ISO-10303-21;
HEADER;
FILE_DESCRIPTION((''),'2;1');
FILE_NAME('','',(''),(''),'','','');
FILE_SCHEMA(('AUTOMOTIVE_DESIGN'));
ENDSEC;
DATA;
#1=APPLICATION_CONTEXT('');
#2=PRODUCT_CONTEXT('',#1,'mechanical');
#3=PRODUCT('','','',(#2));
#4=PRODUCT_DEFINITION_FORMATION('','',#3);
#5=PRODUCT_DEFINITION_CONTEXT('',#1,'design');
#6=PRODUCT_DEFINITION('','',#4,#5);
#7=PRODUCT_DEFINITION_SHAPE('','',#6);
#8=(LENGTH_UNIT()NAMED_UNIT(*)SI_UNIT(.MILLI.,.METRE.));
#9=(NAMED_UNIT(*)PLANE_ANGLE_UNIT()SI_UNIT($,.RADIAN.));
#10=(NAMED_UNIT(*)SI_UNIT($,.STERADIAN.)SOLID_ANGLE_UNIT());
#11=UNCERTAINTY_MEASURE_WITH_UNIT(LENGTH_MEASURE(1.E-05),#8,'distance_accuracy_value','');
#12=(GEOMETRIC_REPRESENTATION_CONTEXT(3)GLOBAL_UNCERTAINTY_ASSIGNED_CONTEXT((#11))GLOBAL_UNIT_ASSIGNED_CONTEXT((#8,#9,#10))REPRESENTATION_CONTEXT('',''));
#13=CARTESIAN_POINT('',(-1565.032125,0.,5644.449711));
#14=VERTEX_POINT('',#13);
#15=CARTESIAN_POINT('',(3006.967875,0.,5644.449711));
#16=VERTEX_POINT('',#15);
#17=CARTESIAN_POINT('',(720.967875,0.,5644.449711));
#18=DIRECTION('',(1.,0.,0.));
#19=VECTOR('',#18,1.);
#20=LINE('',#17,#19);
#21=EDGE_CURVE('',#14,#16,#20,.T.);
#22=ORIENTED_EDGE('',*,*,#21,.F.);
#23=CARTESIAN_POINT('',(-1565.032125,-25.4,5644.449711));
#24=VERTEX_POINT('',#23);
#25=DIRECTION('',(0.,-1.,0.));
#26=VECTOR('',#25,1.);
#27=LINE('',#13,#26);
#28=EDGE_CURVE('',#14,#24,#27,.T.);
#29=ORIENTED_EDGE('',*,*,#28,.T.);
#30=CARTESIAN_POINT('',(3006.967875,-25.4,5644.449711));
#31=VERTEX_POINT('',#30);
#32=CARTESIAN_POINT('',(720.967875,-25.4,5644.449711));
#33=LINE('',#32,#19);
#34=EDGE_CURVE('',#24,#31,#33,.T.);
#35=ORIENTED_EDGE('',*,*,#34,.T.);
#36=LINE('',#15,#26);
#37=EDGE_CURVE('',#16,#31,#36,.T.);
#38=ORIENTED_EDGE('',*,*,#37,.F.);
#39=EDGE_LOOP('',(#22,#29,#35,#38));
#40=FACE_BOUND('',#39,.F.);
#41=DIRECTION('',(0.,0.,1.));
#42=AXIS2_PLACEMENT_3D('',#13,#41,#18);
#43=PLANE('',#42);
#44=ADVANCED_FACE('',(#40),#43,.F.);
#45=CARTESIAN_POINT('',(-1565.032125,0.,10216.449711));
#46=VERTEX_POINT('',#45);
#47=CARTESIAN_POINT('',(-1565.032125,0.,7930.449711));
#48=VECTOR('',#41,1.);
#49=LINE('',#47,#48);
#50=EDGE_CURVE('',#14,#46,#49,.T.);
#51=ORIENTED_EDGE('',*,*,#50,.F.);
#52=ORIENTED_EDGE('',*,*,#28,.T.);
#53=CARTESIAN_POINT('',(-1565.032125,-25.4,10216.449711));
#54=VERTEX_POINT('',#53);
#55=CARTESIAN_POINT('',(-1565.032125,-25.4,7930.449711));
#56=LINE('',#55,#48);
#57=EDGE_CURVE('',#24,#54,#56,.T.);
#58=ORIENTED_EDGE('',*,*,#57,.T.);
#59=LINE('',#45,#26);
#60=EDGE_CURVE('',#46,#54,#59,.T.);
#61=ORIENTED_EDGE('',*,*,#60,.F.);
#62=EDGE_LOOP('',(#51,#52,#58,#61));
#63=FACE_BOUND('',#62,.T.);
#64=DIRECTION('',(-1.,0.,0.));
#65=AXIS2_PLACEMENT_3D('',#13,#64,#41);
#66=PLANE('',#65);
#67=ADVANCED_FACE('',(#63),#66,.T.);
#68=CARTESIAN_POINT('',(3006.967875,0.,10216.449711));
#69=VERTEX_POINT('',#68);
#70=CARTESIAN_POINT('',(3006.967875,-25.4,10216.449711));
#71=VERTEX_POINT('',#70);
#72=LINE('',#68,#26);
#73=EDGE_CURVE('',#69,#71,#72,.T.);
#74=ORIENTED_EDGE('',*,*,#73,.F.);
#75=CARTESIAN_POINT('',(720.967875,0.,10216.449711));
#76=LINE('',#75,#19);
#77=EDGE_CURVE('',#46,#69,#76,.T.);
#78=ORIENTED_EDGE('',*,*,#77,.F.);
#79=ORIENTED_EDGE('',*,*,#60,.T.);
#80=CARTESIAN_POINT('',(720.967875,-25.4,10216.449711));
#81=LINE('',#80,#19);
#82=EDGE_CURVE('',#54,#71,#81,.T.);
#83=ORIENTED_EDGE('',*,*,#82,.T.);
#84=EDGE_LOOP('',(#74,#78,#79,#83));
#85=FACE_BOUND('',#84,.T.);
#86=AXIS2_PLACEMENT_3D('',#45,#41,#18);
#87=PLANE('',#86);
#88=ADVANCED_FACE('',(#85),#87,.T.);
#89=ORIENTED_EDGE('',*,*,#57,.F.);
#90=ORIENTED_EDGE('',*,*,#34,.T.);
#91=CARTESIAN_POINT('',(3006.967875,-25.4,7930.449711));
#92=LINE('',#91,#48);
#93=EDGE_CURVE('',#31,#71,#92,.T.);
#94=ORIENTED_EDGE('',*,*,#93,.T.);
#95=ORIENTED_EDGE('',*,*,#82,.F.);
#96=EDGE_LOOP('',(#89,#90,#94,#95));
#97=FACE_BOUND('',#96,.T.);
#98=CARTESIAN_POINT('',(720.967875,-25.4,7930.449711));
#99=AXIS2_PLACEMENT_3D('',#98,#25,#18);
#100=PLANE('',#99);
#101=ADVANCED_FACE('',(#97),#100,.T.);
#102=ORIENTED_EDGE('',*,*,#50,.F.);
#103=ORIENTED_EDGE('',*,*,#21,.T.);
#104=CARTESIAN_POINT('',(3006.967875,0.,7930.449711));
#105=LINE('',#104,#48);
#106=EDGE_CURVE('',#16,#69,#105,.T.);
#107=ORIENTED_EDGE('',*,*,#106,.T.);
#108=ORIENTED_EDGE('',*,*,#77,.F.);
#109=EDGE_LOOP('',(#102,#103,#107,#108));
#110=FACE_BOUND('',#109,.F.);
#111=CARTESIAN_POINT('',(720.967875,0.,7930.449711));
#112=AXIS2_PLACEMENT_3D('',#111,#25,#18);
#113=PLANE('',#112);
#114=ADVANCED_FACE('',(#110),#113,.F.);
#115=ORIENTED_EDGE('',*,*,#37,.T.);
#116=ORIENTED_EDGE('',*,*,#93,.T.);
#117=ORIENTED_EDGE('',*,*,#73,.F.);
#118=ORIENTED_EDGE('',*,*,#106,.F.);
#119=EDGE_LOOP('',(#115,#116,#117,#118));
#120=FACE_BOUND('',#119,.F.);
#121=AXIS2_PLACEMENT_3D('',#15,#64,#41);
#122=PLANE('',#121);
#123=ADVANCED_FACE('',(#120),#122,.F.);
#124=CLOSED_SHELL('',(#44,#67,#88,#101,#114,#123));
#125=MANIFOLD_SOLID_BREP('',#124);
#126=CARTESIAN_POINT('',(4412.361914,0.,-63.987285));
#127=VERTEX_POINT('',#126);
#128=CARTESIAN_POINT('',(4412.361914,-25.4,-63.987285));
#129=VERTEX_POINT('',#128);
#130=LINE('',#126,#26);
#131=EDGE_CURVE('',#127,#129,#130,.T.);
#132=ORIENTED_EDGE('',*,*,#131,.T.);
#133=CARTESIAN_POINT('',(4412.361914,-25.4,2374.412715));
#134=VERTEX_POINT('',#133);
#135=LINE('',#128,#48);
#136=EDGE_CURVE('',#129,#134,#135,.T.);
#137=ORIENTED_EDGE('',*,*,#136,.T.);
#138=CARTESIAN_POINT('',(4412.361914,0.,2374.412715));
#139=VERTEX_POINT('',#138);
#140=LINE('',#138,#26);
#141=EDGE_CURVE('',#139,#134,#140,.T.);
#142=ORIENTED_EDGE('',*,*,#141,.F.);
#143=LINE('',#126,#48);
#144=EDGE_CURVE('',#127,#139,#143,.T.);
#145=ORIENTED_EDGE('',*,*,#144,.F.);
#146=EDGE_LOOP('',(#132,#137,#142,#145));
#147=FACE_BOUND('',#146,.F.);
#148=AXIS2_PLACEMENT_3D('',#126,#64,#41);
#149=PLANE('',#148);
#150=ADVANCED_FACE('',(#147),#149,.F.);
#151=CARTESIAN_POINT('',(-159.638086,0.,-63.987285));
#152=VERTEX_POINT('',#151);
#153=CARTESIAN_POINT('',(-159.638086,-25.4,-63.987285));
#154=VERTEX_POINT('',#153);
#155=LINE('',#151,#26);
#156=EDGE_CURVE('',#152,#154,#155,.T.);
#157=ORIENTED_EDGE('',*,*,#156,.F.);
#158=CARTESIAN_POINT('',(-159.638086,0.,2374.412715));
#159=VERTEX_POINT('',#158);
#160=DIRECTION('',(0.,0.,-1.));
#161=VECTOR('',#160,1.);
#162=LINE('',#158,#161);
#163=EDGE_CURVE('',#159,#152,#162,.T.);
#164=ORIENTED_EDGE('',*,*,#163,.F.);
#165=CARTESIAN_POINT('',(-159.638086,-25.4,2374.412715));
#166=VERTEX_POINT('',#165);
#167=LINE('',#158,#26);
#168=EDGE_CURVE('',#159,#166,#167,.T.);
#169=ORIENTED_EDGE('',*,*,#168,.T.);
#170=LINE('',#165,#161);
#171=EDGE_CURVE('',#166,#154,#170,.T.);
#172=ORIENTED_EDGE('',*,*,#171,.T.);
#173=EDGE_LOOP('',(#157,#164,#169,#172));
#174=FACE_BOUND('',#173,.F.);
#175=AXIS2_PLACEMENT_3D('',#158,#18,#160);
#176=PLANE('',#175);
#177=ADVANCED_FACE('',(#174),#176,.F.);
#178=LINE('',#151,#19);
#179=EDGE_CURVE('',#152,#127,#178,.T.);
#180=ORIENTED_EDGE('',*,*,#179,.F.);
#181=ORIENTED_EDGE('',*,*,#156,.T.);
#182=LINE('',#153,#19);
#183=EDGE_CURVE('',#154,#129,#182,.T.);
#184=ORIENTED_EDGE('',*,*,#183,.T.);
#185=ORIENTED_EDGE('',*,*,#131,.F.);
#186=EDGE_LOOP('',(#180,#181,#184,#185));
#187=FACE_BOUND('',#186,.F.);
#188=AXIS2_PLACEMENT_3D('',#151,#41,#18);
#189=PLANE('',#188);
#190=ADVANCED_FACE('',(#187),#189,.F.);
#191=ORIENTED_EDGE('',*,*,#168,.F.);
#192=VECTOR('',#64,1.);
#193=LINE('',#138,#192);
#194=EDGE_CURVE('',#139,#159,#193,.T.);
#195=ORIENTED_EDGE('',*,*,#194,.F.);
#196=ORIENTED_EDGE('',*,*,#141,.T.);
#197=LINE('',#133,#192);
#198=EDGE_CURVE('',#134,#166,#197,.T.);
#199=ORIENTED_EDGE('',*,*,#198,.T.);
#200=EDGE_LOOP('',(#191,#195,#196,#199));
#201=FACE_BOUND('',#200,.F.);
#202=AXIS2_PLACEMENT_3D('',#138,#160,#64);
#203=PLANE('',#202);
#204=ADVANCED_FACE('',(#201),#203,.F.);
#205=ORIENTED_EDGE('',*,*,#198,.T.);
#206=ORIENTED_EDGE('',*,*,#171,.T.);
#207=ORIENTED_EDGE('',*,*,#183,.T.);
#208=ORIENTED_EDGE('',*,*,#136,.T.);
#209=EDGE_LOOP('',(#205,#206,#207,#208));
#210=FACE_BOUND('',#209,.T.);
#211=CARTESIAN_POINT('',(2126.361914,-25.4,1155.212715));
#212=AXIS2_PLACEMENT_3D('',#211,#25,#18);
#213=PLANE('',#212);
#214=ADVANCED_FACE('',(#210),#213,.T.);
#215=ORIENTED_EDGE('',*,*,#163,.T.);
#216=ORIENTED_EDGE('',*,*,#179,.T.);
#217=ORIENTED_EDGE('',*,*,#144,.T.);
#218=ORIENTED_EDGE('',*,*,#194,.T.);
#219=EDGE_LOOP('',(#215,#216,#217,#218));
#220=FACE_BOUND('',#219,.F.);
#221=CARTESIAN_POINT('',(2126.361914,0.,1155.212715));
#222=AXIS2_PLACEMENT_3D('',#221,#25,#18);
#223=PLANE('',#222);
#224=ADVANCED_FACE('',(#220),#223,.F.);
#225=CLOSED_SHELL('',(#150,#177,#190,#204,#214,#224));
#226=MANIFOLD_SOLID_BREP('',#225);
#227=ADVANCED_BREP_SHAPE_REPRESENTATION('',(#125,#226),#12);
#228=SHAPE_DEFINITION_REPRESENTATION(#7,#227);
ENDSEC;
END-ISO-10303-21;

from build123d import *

# Parameters (mm, degrees)
F0_W     = 4572
F0_H     = 4572
F1_DEPTH = 25.4
F2_DEPTH = 25.4


with BuildPart() as f1:
    # F0 (on Front) → F1 (new body)
    with BuildSketch(Plane.XZ):
        Polygon((4412.361914, 2374.412715), (-159.638086, 2374.412715), (-159.638086, 2171.212715), (-159.638086, -63.987285), (4412.361914, -63.987285), align=None)
        with Locations((720.967875, 7930.449711)):
            Rectangle(F0_W, F0_H)
    extrude(amount=F1_DEPTH)

    # F0 (on Front) → F2 (join)
    with BuildSketch(Plane.XZ):
        with Locations((720.967875, 7930.449711)):
            Rectangle(F0_W, F0_H)
    extrude(amount=F2_DEPTH)


solid = f1.part
